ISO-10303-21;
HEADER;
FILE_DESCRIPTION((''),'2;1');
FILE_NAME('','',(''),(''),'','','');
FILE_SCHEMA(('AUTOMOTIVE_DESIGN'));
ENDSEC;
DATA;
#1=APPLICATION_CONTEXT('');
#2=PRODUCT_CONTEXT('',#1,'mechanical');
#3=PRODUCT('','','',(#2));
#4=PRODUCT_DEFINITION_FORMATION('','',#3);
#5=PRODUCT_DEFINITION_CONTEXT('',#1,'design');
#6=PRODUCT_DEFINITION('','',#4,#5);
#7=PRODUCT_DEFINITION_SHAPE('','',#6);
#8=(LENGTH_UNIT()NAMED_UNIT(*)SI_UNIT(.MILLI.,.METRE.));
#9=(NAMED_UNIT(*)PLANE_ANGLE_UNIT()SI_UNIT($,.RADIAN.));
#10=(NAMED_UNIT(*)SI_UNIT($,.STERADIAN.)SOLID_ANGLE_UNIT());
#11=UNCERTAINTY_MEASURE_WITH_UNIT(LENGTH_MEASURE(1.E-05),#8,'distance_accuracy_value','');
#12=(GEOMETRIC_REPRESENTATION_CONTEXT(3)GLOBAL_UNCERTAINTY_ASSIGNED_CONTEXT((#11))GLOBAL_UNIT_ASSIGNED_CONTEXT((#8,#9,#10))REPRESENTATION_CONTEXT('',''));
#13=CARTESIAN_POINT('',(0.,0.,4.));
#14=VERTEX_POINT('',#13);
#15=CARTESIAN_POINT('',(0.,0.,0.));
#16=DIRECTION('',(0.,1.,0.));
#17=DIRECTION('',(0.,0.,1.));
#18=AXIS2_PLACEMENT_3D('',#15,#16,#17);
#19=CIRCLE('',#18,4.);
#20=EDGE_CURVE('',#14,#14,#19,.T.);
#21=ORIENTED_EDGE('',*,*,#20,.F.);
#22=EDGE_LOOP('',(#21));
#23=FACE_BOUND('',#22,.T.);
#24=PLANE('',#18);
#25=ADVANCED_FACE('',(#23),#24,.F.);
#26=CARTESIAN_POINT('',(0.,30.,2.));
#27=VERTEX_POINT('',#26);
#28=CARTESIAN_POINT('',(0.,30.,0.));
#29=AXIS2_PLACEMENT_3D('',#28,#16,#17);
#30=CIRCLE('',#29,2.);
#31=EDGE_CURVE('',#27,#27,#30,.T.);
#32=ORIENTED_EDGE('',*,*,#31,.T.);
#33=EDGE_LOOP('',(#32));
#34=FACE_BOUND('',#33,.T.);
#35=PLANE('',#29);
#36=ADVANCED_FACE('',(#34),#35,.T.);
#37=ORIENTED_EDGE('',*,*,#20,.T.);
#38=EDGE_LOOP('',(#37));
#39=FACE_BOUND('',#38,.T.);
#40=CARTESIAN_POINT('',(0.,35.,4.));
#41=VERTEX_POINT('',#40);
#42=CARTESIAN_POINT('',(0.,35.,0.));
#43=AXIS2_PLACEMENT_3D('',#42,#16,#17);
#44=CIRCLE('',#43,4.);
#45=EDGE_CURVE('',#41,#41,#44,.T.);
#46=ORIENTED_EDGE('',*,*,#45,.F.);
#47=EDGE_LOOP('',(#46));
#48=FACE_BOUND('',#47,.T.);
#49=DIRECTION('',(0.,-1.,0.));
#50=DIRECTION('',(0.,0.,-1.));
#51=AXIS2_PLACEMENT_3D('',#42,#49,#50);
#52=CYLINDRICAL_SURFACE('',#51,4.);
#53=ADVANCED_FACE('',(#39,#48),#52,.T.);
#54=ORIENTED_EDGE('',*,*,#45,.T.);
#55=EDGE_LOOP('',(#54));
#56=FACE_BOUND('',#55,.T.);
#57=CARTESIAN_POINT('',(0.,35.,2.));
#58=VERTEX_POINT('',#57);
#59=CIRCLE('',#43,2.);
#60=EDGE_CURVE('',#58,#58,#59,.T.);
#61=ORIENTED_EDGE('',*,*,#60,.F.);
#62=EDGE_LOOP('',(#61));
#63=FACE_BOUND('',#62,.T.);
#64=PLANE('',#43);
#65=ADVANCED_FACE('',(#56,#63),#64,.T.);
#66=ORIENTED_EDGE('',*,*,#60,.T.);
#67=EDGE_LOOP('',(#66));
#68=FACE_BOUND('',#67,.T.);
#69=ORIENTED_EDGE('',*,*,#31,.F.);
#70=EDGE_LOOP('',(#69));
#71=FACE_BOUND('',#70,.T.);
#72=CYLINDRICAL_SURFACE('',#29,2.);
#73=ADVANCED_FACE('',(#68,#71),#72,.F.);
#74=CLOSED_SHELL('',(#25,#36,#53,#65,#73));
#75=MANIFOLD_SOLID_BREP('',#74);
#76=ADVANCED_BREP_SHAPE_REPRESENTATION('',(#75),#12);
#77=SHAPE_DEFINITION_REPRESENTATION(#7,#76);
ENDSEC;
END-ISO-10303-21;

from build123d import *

# Parameters (mm, degrees)
CROQUIS1_R              = 4
SALIENTE_EXTRUIR1_DEPTH = 35
CROQUIS2_R              = 2
CORTAR_EXTRUIR1_DEPTH   = 5


with BuildPart() as part:
    # Croquis1 → Saliente-Extruir1 (new body)
    with BuildSketch(Plane(origin=(0, 0, 0), x_dir=(1, 0, 0), z_dir=(0, 1, 0))):
        Circle(CROQUIS1_R)
    extrude(amount=SALIENTE_EXTRUIR1_DEPTH)

    # Croquis2 → Cortar-Extruir1 (cut)
    with BuildSketch(Plane(origin=(0, 35, 0), x_dir=(1, 0, 0), z_dir=(0, 1, 0))):
        Circle(CROQUIS2_R)
    extrude(amount=-CORTAR_EXTRUIR1_DEPTH, mode=Mode.SUBTRACT)


solid = part.part
